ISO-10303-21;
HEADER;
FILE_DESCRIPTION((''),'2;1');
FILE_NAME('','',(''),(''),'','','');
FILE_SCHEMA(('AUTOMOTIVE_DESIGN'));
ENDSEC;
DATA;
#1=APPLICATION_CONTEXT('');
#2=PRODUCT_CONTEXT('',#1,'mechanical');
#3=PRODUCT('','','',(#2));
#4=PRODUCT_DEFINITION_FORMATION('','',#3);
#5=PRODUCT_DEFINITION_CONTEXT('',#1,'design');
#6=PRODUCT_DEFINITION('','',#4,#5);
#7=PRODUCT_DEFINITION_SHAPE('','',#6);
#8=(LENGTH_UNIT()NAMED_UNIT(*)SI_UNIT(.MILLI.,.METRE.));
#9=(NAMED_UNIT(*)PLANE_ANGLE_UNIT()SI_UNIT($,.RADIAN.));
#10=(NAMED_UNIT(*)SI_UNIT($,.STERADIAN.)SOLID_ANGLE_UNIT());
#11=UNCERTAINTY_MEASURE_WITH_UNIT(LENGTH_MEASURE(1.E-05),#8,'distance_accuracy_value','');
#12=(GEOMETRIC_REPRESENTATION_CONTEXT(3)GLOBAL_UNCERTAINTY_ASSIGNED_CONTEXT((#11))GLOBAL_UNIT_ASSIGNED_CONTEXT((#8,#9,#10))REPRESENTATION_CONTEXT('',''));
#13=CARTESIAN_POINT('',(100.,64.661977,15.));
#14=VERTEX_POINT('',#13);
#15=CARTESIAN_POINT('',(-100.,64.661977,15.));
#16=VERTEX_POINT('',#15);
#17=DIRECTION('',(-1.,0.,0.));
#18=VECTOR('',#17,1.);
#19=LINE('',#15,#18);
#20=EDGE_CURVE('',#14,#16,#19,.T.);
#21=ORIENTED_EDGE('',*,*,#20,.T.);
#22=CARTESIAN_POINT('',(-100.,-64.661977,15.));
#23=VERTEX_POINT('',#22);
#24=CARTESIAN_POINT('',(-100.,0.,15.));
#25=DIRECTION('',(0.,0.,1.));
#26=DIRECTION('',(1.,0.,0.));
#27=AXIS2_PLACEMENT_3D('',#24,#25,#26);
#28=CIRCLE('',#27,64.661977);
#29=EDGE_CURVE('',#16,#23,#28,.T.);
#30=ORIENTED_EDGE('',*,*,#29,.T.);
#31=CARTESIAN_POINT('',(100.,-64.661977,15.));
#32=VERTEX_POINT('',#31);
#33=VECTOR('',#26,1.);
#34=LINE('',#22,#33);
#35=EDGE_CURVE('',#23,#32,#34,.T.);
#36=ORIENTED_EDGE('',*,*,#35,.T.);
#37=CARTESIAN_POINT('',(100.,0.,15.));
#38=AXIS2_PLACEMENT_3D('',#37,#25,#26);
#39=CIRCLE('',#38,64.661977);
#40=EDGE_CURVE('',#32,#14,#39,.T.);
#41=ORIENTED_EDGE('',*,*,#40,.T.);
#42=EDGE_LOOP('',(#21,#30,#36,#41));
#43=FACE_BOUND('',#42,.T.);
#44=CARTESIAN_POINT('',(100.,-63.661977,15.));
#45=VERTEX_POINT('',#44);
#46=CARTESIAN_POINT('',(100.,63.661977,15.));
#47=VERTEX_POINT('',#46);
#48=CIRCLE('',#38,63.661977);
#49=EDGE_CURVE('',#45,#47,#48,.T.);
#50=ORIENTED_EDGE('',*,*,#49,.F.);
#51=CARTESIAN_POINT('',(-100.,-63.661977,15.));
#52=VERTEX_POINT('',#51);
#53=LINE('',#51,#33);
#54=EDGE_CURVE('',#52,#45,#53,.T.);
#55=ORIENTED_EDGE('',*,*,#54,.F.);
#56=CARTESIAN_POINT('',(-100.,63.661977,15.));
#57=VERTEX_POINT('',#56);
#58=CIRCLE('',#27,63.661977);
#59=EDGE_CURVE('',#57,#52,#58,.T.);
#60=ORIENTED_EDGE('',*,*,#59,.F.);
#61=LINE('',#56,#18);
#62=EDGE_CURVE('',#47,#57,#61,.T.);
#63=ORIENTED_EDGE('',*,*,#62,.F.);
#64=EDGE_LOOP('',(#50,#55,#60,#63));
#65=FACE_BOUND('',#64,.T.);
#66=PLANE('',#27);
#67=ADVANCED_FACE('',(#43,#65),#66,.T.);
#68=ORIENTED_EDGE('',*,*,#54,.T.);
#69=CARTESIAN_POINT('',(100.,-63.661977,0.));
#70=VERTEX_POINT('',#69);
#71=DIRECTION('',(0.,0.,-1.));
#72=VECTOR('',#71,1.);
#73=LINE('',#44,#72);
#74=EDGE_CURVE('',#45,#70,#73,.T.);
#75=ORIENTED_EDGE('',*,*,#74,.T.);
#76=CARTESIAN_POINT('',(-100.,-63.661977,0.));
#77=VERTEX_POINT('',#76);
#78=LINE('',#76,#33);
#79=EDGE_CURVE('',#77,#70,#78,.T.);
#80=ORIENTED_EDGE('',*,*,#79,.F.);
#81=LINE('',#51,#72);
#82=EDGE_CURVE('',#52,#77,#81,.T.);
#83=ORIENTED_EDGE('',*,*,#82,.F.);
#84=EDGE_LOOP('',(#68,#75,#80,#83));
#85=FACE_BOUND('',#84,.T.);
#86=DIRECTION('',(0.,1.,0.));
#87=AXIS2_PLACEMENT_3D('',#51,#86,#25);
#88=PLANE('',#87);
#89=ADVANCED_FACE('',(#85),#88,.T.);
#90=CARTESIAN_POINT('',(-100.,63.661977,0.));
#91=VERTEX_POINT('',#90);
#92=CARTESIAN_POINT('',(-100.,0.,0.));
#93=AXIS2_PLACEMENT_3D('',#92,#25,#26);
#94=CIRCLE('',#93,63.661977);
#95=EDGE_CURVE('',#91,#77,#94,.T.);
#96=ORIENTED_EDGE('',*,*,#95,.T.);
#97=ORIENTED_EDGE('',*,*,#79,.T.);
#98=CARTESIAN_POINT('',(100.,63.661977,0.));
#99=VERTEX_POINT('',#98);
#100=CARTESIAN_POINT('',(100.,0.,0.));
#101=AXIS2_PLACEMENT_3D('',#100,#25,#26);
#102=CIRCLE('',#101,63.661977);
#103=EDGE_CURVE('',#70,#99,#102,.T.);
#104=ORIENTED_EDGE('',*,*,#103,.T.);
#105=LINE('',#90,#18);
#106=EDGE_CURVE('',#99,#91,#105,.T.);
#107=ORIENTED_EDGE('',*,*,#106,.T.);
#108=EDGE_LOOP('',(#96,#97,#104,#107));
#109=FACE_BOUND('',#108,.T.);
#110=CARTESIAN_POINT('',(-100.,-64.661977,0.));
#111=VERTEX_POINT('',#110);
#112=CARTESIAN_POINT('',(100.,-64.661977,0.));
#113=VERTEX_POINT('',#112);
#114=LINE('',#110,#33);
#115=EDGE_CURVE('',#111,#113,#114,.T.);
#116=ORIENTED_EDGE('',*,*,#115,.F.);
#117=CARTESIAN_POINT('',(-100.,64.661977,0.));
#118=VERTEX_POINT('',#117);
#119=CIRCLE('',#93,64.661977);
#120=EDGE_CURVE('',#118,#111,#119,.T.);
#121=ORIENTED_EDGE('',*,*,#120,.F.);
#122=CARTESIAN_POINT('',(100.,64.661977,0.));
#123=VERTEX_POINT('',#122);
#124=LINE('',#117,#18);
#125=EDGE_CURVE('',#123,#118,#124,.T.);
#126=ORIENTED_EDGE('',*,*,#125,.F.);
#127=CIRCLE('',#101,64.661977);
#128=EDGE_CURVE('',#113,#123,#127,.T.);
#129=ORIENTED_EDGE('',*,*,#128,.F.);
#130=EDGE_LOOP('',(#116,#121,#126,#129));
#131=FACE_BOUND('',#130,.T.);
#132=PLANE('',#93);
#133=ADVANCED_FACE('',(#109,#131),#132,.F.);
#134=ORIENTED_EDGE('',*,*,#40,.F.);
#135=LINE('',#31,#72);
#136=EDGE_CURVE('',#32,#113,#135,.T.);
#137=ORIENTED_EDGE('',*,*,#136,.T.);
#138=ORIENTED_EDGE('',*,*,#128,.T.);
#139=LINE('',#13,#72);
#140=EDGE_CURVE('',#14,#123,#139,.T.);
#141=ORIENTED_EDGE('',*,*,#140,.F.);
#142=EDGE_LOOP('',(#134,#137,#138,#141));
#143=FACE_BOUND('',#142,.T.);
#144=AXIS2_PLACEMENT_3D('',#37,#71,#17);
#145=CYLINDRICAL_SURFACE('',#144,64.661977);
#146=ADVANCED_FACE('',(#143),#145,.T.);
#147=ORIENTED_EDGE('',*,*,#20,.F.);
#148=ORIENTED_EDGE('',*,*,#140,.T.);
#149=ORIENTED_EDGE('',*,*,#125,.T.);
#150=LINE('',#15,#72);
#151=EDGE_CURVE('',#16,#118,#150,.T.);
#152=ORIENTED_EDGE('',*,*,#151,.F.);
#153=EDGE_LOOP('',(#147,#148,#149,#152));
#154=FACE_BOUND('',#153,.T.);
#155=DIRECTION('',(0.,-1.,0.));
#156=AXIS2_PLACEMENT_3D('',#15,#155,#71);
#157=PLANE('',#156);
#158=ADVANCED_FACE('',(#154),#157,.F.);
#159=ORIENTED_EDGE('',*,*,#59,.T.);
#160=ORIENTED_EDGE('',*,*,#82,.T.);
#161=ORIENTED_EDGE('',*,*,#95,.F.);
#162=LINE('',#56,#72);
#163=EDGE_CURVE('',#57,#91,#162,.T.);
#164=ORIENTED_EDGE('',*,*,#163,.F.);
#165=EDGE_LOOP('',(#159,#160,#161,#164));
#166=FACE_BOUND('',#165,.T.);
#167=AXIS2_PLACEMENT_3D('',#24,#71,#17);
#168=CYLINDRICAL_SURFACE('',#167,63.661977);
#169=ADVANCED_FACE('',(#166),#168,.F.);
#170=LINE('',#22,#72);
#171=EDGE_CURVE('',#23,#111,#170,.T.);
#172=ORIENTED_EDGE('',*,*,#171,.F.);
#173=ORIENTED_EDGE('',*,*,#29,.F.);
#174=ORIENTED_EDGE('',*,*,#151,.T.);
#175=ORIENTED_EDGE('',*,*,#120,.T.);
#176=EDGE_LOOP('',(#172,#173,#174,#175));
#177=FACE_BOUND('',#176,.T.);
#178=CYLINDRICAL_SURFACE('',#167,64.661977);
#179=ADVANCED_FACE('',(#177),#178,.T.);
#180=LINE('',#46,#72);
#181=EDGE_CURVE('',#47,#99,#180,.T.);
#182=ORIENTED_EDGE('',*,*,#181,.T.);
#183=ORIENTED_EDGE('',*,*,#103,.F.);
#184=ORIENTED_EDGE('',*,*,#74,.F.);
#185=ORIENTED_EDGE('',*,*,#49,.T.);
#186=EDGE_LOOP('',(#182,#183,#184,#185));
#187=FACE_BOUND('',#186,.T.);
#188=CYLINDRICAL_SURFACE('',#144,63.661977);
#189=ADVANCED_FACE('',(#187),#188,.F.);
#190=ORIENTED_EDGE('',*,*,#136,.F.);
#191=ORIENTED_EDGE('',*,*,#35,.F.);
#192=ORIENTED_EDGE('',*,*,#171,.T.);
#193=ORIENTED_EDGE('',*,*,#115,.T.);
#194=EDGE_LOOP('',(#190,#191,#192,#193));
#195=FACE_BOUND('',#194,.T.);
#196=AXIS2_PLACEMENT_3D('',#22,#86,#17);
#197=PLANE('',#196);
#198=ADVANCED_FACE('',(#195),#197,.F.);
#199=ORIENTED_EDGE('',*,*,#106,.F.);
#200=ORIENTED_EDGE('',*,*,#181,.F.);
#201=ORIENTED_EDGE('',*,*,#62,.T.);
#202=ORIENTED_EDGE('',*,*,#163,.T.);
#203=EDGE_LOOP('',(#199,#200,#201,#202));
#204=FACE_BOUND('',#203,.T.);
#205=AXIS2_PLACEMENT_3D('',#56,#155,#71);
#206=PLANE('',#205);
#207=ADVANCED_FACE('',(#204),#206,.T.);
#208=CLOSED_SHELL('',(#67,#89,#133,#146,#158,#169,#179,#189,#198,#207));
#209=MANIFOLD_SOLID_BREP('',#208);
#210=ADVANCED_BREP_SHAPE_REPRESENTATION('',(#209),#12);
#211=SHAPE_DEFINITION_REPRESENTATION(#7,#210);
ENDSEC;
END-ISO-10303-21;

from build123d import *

# Parameters (mm, degrees)
BOSS_EXTRUDE1_DEPTH = 15


with BuildPart() as part:
    # Sketch1 → Boss-Extrude1 (new body)
    with BuildSketch(Plane.XY):
        with BuildLine():
            Line((-100, 64.661977237), (100, 64.661977237))
            ThreePointArc((100, 64.661977237), (164.661977237, 0), (100, -64.661977237))
            Line((100, -64.661977237), (-100, -64.661977237))
            ThreePointArc((-100, -64.661977237), (-164.661977237, 0), (-100, 64.661977237))
        make_face()
        with BuildLine():
            Line((-100, 63.661977237), (100, 63.661977237))
            ThreePointArc((100, 63.661977237), (163.661977237, 0), (100, -63.661977237))
            Line((100, -63.661977237), (-100, -63.661977237))
            ThreePointArc((-100, -63.661977237), (-163.661977237, 0), (-100, 63.661977237))
        make_face(mode=Mode.SUBTRACT)
    extrude(amount=BOSS_EXTRUDE1_DEPTH)


solid = part.part
